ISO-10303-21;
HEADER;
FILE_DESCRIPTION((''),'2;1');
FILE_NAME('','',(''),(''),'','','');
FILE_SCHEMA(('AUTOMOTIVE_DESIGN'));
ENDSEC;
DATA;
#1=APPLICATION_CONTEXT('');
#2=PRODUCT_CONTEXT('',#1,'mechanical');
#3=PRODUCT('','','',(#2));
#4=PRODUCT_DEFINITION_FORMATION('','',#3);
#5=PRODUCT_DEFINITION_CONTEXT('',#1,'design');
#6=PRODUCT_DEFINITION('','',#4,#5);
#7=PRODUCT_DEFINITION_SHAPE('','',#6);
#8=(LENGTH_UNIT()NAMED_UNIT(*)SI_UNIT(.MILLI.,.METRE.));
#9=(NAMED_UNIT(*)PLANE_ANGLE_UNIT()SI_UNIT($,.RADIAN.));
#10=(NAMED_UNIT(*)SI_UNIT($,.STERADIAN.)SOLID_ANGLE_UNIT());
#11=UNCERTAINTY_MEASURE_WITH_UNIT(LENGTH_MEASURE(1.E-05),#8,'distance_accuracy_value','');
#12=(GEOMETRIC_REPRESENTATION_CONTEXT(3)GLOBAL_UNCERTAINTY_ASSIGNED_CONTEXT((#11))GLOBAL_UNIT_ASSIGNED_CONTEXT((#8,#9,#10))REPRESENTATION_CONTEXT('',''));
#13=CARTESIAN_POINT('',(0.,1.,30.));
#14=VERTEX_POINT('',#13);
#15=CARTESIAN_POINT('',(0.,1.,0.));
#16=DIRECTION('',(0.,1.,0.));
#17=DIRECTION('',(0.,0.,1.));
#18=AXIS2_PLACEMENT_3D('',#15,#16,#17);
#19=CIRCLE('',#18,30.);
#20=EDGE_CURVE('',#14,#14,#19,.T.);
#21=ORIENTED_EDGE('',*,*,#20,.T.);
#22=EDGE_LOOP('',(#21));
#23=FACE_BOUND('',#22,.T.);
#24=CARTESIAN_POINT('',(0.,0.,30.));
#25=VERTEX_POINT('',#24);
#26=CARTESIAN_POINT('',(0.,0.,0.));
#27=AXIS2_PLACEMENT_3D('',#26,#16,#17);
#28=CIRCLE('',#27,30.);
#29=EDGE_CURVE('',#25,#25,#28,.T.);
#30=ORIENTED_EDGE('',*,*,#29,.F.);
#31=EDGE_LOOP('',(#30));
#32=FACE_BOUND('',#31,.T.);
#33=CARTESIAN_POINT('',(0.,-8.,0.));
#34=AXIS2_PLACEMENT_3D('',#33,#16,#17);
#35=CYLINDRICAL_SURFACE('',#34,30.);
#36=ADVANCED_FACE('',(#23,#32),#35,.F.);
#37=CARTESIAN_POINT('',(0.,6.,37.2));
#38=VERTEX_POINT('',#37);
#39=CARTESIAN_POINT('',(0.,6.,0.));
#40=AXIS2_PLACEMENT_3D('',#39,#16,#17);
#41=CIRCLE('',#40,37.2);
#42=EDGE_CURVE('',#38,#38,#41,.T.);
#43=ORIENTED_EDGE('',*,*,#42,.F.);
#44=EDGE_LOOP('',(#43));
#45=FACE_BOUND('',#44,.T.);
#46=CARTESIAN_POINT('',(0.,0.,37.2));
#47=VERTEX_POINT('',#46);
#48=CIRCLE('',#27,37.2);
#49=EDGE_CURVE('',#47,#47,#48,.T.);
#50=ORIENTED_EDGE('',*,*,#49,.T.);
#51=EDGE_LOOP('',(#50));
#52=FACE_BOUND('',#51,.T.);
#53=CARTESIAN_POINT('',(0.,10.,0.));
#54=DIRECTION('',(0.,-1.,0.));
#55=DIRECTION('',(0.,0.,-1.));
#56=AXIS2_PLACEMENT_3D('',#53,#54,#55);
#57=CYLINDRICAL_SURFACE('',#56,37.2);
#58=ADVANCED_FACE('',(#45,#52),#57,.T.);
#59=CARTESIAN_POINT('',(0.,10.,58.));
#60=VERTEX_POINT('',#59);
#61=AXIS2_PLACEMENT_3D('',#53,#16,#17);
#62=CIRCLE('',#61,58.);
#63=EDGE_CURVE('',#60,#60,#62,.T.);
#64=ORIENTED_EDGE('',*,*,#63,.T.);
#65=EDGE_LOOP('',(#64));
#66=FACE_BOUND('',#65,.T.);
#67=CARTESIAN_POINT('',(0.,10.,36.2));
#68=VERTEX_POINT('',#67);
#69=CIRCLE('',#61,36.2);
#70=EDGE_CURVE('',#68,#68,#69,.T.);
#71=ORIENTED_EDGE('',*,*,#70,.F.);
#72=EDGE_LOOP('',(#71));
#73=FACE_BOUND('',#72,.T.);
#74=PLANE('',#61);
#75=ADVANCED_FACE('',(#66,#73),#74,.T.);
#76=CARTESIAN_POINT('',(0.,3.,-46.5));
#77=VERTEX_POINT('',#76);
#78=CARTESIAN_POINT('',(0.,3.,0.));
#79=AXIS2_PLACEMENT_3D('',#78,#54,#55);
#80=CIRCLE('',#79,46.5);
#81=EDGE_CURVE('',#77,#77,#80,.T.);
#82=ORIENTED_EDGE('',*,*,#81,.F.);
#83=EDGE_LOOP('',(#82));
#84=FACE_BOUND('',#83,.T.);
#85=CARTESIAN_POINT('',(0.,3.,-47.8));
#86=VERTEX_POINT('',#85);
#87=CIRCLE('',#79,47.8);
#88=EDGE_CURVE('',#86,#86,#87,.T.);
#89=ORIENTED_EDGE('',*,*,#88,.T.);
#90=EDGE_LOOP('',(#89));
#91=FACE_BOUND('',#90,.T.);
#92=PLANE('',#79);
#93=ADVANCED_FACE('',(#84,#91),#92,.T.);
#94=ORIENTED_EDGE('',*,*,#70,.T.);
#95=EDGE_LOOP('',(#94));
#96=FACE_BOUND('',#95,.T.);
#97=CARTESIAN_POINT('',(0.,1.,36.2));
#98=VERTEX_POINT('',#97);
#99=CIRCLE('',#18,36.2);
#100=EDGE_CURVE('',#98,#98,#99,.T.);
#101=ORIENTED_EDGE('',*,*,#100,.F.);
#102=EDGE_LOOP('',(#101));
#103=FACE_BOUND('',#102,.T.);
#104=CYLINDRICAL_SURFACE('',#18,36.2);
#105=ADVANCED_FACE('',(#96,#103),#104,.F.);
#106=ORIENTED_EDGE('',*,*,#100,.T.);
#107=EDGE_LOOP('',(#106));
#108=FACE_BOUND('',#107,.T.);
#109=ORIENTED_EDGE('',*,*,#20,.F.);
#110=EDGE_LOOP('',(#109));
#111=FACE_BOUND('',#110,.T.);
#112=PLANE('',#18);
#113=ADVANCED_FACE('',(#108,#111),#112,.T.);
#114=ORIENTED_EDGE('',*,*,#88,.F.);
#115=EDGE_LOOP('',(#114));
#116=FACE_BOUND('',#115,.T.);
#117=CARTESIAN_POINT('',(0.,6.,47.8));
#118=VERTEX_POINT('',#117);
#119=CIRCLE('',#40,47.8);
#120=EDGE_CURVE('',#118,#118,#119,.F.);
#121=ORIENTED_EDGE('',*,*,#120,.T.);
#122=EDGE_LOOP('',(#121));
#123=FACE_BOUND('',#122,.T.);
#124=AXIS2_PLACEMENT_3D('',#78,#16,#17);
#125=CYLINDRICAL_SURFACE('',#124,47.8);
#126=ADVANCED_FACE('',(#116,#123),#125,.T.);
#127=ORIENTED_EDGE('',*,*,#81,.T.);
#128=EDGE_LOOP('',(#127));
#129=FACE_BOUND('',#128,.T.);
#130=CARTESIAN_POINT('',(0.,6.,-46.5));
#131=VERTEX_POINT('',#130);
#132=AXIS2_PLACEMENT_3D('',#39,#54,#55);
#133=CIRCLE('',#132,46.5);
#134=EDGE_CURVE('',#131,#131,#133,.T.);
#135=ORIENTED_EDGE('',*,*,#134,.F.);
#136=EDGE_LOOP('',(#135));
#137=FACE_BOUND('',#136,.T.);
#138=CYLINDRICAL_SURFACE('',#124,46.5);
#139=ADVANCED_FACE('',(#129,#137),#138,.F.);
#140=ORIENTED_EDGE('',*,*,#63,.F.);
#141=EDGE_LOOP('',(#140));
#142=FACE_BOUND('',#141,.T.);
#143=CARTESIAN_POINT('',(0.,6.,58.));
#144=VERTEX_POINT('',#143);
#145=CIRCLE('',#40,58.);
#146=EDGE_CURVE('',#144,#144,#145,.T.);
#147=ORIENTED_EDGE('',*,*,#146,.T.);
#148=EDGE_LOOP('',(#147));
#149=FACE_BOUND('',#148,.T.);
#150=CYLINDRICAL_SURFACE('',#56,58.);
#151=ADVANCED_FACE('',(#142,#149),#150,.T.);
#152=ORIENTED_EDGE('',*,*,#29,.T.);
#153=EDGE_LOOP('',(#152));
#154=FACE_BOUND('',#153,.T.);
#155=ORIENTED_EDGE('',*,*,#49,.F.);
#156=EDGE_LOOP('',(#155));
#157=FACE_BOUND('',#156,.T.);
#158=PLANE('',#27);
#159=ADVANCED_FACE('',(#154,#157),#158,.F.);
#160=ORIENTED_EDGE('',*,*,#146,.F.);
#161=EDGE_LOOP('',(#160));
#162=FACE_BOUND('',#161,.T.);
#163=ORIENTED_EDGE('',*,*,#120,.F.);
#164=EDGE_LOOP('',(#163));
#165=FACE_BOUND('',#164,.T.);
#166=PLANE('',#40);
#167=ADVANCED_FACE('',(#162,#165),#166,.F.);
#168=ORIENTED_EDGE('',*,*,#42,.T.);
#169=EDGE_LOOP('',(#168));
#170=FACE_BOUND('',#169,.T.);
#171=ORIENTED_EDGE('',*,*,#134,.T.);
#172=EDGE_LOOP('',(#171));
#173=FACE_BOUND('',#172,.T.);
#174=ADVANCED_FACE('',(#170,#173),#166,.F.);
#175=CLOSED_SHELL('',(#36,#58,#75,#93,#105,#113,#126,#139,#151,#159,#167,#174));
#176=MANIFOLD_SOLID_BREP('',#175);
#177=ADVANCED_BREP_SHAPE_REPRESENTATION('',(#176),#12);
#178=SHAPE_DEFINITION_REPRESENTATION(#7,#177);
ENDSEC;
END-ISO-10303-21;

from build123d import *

# Parameters (mm, degrees)
SKETCH3_R           = 37.2
BOSS_EXTRUDE1_DEPTH = 10
SKETCH4_R           = 36.2
CUT_EXTRUDE1_DEPTH  = 9
SKETCH5_R           = 30
CUT_EXTRUDE2_DEPTH  = 9
SKETCH6_R           = 58
SKETCH6_R_2         = 37.2
BOSS_EXTRUDE2_DEPTH = 4
SKETCH7_R           = 47.8
SKETCH7_R_2         = 46.5
BOSS_EXTRUDE3_DEPTH = 3


with BuildPart() as part:
    # Sketch3 → Boss-Extrude1 (new body)
    with BuildSketch(Plane(origin=(0, 0, 0), x_dir=(1, 0, 0), z_dir=(0, 1, 0))):
        with Locations(Location((0, 0, 0), (0, 0, 270))):
            Circle(SKETCH3_R)
    extrude(amount=BOSS_EXTRUDE1_DEPTH)

    # Sketch4 → Cut-Extrude1 (cut)
    with BuildSketch(Plane(origin=(0, 10, 0), x_dir=(1, 0, 0), z_dir=(0, 1, 0))):
        with Locations(Location((0, 0, 0), (0, 0, 270))):
            Circle(SKETCH4_R)
    extrude(amount=-CUT_EXTRUDE1_DEPTH, mode=Mode.SUBTRACT)

    # Sketch5 → Cut-Extrude2 (cut)
    with BuildSketch(Plane(origin=(0, 1, 0), x_dir=(1, 0, 0), z_dir=(0, 1, 0))):
        with Locations(Location((0, 0, 0), (0, 0, 270))):
            Circle(SKETCH5_R)
    extrude(amount=-CUT_EXTRUDE2_DEPTH, mode=Mode.SUBTRACT)

    # Sketch6 → Boss-Extrude2 (add)
    with BuildSketch(Plane(origin=(0, 6, 0), x_dir=(1, 0, 0), z_dir=(0, 1, 0))):
        with Locations(Location((0, 0, 0), (0, 0, 270))):
            Circle(SKETCH6_R)
        with Locations(Location((0, 0, 0), (0, 0, 270))):
            Circle(SKETCH6_R_2, mode=Mode.SUBTRACT)
    extrude(amount=BOSS_EXTRUDE2_DEPTH)

    # Sketch7 → Boss-Extrude3 (add)
    with BuildSketch(Plane.XZ.offset(-6)):
        with Locations(Location((0, 0, 0), (0, 0, 90))):
            Circle(SKETCH7_R)
        with Locations(Location((0, 0, 0), (0, 0, 270))):
            Circle(SKETCH7_R_2, mode=Mode.SUBTRACT)
    extrude(amount=BOSS_EXTRUDE3_DEPTH)


solid = part.part
